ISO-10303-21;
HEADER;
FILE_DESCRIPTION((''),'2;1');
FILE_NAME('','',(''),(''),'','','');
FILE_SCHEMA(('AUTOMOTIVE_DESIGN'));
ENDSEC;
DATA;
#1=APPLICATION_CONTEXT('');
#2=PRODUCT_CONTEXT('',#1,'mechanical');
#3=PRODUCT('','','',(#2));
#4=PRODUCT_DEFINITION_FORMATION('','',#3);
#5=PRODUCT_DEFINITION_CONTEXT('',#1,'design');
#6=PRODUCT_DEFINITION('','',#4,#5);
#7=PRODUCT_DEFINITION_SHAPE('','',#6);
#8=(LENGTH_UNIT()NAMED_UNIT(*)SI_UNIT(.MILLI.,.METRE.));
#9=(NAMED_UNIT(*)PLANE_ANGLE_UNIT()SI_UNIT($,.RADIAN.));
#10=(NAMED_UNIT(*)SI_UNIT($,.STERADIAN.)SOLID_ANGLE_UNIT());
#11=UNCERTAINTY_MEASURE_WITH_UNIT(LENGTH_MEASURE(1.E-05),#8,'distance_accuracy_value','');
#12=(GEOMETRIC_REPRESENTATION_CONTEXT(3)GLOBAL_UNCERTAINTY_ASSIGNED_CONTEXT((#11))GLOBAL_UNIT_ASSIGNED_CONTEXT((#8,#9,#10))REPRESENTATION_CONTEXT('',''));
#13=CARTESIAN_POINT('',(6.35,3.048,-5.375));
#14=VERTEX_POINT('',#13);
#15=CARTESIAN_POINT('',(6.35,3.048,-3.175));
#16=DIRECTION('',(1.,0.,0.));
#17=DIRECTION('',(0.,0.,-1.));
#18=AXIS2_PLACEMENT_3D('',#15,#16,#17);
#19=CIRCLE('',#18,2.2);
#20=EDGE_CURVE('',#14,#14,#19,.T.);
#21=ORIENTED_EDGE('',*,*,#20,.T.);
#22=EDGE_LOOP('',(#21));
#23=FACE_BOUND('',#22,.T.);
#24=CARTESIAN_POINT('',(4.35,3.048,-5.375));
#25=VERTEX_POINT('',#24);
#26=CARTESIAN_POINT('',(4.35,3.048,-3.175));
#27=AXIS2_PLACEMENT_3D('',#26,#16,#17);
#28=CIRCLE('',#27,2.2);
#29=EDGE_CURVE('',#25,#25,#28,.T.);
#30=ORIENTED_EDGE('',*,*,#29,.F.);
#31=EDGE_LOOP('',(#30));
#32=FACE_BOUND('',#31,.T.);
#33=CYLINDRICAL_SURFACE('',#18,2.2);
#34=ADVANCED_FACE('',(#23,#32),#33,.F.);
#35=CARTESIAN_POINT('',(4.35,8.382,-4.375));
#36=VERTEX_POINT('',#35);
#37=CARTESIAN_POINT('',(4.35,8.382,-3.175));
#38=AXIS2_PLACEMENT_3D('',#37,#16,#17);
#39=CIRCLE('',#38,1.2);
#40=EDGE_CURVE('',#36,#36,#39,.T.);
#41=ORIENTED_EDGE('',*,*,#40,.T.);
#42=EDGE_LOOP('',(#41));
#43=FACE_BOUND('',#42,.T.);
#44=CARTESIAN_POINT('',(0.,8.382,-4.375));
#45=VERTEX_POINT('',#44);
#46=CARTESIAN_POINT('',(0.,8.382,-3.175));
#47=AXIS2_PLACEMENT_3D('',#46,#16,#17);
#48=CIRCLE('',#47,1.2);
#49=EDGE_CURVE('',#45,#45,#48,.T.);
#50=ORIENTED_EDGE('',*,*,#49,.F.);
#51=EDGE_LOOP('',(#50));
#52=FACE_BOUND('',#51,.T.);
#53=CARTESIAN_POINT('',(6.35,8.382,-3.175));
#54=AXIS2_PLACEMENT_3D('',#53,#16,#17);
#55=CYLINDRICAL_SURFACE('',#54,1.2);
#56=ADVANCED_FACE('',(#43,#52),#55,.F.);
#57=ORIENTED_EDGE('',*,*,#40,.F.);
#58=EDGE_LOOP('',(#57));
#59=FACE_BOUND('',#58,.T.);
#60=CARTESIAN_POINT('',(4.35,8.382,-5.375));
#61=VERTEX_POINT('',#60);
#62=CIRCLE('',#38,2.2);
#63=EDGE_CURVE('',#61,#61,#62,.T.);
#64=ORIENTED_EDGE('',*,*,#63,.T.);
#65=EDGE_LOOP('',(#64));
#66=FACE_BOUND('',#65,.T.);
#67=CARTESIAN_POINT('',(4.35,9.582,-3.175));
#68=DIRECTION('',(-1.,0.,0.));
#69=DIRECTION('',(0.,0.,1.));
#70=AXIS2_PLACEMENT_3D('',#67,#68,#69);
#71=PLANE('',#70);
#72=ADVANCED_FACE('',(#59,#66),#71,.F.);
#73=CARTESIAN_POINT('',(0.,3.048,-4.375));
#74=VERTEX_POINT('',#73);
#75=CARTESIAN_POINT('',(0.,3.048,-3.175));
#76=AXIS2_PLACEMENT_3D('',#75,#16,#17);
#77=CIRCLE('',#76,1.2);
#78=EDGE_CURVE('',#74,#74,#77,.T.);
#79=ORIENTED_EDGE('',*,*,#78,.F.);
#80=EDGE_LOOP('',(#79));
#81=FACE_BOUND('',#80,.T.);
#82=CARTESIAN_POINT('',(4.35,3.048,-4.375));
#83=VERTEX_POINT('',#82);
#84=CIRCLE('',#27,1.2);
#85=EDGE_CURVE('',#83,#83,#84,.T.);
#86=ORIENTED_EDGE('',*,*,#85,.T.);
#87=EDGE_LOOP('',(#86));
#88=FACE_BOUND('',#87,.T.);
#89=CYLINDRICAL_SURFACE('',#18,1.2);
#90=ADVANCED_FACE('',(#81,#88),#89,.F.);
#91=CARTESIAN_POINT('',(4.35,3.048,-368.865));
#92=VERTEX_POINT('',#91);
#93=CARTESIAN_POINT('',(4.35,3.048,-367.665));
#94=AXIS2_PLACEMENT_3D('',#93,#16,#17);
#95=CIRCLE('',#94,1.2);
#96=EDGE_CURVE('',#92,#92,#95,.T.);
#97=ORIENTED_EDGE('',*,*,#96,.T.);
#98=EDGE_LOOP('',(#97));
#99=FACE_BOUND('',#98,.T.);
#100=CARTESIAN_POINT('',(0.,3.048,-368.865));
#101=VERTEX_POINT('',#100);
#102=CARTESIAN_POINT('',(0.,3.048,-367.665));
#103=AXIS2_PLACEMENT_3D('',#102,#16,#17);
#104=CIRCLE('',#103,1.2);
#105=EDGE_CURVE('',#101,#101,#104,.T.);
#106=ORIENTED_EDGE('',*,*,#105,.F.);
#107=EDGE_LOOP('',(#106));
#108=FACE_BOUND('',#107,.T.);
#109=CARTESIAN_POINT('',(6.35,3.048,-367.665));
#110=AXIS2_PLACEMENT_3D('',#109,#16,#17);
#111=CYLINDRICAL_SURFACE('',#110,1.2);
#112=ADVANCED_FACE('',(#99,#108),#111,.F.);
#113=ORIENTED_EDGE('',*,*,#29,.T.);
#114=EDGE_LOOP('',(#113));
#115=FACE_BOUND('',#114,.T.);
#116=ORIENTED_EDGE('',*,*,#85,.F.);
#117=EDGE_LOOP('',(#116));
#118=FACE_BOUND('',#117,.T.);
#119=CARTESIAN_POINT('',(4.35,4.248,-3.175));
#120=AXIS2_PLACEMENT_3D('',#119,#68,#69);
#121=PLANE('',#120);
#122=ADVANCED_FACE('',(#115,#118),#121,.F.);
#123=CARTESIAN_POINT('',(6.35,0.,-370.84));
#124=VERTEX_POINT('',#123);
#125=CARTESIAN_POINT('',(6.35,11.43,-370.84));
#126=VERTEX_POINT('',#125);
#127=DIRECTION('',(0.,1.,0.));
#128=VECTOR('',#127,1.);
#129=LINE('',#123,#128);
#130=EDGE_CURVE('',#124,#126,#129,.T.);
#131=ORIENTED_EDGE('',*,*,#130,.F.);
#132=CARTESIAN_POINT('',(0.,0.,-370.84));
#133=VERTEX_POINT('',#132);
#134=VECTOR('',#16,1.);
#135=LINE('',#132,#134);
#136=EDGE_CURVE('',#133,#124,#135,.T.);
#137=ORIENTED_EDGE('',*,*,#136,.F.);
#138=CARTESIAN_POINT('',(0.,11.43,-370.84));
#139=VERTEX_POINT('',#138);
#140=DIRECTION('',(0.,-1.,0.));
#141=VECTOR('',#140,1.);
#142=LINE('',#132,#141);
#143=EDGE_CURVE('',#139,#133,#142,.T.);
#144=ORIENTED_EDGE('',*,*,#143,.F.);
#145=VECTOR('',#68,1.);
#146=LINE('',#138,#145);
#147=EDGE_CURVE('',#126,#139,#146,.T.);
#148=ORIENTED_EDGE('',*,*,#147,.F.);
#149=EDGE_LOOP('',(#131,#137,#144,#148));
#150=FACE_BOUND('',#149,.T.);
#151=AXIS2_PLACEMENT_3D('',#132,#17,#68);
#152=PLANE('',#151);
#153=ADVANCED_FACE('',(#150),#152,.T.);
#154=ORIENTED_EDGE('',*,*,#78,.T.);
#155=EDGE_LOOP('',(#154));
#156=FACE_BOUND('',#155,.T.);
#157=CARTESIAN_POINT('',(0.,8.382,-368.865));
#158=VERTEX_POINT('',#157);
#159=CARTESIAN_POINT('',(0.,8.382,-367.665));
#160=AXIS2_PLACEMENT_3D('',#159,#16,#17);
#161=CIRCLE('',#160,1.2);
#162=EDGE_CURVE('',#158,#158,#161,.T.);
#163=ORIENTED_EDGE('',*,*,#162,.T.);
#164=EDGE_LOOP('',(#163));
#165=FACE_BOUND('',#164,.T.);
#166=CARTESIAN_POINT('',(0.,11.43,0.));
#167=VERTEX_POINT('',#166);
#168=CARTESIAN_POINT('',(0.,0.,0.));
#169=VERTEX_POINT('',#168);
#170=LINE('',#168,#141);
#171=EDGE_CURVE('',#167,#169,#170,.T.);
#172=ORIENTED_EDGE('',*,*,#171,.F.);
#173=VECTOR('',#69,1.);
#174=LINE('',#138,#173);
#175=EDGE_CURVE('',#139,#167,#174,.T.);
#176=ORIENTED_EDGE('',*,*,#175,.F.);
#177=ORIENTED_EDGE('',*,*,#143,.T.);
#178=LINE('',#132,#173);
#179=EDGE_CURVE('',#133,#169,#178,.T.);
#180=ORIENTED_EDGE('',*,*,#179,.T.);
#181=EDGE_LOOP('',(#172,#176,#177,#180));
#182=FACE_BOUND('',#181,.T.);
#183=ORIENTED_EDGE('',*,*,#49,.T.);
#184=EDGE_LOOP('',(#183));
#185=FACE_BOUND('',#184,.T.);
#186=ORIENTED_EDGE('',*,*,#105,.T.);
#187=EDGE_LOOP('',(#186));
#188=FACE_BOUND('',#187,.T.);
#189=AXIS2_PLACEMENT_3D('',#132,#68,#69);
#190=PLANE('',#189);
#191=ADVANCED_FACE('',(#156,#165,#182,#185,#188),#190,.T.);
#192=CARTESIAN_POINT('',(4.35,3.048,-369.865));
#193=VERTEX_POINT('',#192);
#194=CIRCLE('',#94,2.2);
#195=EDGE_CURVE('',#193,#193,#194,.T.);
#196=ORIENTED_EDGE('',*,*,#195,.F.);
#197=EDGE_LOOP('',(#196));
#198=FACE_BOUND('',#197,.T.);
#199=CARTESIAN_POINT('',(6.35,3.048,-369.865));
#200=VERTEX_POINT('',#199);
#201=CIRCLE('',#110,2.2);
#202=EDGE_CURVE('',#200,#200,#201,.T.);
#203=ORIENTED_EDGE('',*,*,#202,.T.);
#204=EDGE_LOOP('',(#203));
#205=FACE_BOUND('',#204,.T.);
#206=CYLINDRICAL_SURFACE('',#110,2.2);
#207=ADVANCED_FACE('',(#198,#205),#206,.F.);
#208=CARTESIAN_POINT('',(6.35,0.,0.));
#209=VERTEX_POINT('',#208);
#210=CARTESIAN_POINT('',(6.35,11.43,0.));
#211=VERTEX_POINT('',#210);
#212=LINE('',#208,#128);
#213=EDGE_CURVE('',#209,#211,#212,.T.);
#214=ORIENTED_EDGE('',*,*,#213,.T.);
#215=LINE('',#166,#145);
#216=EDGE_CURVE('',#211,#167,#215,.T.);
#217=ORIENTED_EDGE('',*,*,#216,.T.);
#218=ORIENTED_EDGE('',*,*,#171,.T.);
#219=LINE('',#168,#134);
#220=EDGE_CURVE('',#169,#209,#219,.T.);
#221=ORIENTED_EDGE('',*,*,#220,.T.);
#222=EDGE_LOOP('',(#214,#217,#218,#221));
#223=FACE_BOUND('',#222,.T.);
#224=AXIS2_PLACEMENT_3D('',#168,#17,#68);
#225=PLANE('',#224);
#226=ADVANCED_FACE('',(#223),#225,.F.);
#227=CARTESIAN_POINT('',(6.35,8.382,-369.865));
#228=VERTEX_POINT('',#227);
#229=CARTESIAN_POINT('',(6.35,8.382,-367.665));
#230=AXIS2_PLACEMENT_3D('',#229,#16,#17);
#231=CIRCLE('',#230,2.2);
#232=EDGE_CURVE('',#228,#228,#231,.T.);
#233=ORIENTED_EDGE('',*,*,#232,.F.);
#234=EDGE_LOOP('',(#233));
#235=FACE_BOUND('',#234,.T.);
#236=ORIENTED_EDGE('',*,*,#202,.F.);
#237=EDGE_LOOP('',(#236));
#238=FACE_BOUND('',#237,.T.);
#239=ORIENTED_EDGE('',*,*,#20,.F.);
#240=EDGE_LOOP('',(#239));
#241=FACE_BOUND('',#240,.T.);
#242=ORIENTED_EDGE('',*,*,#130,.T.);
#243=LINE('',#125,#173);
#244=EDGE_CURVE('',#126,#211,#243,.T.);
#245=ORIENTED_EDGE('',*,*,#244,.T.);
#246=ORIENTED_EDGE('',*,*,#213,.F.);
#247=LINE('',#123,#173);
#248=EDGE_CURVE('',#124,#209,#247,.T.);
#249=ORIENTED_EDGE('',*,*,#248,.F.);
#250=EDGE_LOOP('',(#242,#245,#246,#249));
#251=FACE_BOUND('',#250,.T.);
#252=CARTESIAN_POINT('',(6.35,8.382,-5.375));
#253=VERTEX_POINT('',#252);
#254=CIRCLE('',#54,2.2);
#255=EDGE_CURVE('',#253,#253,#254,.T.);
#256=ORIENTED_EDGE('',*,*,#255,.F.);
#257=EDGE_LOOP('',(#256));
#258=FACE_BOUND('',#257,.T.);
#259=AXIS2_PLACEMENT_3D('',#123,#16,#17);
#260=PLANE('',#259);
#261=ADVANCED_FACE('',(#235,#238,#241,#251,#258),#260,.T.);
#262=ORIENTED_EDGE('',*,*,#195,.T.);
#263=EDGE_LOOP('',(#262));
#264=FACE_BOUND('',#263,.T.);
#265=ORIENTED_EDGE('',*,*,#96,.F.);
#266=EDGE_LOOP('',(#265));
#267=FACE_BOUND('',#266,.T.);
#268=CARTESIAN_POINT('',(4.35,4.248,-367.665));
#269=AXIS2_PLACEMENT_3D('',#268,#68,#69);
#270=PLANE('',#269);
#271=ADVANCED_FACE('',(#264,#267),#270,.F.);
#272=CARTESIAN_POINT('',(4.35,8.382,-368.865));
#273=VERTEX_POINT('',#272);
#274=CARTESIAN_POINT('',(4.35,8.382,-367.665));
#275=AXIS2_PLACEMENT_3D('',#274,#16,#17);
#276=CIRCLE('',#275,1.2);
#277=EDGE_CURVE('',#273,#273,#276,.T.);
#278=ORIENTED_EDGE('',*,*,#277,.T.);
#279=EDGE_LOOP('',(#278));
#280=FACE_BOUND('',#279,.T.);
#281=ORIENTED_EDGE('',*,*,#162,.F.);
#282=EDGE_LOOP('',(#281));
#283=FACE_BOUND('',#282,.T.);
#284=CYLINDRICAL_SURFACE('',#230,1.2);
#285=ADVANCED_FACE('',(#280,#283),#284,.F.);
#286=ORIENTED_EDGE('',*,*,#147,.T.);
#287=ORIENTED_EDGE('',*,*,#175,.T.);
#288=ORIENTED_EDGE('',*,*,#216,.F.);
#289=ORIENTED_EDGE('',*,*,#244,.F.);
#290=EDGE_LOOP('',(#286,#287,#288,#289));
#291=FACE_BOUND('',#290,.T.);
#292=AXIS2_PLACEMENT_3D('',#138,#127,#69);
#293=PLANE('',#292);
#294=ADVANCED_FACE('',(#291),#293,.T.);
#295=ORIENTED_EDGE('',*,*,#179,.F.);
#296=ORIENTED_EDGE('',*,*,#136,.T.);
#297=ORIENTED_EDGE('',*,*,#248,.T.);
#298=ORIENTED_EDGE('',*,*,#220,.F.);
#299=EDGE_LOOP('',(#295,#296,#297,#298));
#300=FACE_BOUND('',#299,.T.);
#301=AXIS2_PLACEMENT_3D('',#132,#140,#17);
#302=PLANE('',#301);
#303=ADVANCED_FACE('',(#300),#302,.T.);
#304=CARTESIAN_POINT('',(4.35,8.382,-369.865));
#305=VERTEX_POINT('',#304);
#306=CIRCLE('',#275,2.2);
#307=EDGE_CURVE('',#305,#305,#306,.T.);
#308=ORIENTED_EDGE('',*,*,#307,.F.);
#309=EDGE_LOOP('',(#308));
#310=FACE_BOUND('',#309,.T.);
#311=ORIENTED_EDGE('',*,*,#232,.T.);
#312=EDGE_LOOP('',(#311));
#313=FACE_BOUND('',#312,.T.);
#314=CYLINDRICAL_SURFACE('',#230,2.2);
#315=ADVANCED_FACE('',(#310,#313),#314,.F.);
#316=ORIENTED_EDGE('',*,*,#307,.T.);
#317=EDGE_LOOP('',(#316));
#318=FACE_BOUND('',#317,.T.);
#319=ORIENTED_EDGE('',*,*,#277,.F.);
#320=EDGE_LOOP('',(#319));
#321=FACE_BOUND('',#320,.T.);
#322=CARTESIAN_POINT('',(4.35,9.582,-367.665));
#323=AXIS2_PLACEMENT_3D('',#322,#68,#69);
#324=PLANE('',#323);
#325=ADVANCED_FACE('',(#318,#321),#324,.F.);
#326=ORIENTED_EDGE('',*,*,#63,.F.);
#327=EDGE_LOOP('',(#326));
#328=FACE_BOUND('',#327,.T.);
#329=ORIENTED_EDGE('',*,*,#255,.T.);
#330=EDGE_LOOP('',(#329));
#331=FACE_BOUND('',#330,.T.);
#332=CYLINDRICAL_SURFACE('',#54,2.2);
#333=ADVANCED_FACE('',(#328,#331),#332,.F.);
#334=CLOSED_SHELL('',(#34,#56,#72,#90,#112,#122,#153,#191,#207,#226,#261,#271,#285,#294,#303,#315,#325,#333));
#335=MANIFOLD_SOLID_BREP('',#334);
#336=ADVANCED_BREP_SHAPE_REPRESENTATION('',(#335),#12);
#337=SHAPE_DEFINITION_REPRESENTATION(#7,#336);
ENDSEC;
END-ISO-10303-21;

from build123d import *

# Parameters (mm, degrees)
SKETCH1_W                      = 6.35
SKETCH1_H                      = 11.43
BOSS_EXTRUDE1_DEPTH            = 370.84
CBORE_FOR_M2_SHCS2_D           = 2.4
CBORE_FOR_M2_SHCS2_CBORE_D     = 4.4
CBORE_FOR_M2_SHCS2_CBORE_DEPTH = 2


with BuildPart() as part:
    # Sketch1 → Boss-Extrude1 (new body)
    with BuildSketch(Plane.XY):
        with Locations((3.175, 5.715)):
            Rectangle(SKETCH1_W, SKETCH1_H)
    extrude(amount=-BOSS_EXTRUDE1_DEPTH)

    # CBORE for M2 SHCS2 (through all)
    with Locations(Plane(origin=(6.35, 0, 0), x_dir=(0, 0, -1), z_dir=(1, 0, 0))):
        with Locations((3.175, 8.382), (3.175, 3.048)):
            cbore_for_m2_shcs2 = CounterBoreHole(CBORE_FOR_M2_SHCS2_D / 2, CBORE_FOR_M2_SHCS2_CBORE_D / 2, CBORE_FOR_M2_SHCS2_CBORE_DEPTH)

    # Mirror2: CBORE for M2 SHCS2 across plane
    add(cbore_for_m2_shcs2.mirror(Plane.XY.offset(-185.42)), mode=Mode.SUBTRACT)


solid = part.part
